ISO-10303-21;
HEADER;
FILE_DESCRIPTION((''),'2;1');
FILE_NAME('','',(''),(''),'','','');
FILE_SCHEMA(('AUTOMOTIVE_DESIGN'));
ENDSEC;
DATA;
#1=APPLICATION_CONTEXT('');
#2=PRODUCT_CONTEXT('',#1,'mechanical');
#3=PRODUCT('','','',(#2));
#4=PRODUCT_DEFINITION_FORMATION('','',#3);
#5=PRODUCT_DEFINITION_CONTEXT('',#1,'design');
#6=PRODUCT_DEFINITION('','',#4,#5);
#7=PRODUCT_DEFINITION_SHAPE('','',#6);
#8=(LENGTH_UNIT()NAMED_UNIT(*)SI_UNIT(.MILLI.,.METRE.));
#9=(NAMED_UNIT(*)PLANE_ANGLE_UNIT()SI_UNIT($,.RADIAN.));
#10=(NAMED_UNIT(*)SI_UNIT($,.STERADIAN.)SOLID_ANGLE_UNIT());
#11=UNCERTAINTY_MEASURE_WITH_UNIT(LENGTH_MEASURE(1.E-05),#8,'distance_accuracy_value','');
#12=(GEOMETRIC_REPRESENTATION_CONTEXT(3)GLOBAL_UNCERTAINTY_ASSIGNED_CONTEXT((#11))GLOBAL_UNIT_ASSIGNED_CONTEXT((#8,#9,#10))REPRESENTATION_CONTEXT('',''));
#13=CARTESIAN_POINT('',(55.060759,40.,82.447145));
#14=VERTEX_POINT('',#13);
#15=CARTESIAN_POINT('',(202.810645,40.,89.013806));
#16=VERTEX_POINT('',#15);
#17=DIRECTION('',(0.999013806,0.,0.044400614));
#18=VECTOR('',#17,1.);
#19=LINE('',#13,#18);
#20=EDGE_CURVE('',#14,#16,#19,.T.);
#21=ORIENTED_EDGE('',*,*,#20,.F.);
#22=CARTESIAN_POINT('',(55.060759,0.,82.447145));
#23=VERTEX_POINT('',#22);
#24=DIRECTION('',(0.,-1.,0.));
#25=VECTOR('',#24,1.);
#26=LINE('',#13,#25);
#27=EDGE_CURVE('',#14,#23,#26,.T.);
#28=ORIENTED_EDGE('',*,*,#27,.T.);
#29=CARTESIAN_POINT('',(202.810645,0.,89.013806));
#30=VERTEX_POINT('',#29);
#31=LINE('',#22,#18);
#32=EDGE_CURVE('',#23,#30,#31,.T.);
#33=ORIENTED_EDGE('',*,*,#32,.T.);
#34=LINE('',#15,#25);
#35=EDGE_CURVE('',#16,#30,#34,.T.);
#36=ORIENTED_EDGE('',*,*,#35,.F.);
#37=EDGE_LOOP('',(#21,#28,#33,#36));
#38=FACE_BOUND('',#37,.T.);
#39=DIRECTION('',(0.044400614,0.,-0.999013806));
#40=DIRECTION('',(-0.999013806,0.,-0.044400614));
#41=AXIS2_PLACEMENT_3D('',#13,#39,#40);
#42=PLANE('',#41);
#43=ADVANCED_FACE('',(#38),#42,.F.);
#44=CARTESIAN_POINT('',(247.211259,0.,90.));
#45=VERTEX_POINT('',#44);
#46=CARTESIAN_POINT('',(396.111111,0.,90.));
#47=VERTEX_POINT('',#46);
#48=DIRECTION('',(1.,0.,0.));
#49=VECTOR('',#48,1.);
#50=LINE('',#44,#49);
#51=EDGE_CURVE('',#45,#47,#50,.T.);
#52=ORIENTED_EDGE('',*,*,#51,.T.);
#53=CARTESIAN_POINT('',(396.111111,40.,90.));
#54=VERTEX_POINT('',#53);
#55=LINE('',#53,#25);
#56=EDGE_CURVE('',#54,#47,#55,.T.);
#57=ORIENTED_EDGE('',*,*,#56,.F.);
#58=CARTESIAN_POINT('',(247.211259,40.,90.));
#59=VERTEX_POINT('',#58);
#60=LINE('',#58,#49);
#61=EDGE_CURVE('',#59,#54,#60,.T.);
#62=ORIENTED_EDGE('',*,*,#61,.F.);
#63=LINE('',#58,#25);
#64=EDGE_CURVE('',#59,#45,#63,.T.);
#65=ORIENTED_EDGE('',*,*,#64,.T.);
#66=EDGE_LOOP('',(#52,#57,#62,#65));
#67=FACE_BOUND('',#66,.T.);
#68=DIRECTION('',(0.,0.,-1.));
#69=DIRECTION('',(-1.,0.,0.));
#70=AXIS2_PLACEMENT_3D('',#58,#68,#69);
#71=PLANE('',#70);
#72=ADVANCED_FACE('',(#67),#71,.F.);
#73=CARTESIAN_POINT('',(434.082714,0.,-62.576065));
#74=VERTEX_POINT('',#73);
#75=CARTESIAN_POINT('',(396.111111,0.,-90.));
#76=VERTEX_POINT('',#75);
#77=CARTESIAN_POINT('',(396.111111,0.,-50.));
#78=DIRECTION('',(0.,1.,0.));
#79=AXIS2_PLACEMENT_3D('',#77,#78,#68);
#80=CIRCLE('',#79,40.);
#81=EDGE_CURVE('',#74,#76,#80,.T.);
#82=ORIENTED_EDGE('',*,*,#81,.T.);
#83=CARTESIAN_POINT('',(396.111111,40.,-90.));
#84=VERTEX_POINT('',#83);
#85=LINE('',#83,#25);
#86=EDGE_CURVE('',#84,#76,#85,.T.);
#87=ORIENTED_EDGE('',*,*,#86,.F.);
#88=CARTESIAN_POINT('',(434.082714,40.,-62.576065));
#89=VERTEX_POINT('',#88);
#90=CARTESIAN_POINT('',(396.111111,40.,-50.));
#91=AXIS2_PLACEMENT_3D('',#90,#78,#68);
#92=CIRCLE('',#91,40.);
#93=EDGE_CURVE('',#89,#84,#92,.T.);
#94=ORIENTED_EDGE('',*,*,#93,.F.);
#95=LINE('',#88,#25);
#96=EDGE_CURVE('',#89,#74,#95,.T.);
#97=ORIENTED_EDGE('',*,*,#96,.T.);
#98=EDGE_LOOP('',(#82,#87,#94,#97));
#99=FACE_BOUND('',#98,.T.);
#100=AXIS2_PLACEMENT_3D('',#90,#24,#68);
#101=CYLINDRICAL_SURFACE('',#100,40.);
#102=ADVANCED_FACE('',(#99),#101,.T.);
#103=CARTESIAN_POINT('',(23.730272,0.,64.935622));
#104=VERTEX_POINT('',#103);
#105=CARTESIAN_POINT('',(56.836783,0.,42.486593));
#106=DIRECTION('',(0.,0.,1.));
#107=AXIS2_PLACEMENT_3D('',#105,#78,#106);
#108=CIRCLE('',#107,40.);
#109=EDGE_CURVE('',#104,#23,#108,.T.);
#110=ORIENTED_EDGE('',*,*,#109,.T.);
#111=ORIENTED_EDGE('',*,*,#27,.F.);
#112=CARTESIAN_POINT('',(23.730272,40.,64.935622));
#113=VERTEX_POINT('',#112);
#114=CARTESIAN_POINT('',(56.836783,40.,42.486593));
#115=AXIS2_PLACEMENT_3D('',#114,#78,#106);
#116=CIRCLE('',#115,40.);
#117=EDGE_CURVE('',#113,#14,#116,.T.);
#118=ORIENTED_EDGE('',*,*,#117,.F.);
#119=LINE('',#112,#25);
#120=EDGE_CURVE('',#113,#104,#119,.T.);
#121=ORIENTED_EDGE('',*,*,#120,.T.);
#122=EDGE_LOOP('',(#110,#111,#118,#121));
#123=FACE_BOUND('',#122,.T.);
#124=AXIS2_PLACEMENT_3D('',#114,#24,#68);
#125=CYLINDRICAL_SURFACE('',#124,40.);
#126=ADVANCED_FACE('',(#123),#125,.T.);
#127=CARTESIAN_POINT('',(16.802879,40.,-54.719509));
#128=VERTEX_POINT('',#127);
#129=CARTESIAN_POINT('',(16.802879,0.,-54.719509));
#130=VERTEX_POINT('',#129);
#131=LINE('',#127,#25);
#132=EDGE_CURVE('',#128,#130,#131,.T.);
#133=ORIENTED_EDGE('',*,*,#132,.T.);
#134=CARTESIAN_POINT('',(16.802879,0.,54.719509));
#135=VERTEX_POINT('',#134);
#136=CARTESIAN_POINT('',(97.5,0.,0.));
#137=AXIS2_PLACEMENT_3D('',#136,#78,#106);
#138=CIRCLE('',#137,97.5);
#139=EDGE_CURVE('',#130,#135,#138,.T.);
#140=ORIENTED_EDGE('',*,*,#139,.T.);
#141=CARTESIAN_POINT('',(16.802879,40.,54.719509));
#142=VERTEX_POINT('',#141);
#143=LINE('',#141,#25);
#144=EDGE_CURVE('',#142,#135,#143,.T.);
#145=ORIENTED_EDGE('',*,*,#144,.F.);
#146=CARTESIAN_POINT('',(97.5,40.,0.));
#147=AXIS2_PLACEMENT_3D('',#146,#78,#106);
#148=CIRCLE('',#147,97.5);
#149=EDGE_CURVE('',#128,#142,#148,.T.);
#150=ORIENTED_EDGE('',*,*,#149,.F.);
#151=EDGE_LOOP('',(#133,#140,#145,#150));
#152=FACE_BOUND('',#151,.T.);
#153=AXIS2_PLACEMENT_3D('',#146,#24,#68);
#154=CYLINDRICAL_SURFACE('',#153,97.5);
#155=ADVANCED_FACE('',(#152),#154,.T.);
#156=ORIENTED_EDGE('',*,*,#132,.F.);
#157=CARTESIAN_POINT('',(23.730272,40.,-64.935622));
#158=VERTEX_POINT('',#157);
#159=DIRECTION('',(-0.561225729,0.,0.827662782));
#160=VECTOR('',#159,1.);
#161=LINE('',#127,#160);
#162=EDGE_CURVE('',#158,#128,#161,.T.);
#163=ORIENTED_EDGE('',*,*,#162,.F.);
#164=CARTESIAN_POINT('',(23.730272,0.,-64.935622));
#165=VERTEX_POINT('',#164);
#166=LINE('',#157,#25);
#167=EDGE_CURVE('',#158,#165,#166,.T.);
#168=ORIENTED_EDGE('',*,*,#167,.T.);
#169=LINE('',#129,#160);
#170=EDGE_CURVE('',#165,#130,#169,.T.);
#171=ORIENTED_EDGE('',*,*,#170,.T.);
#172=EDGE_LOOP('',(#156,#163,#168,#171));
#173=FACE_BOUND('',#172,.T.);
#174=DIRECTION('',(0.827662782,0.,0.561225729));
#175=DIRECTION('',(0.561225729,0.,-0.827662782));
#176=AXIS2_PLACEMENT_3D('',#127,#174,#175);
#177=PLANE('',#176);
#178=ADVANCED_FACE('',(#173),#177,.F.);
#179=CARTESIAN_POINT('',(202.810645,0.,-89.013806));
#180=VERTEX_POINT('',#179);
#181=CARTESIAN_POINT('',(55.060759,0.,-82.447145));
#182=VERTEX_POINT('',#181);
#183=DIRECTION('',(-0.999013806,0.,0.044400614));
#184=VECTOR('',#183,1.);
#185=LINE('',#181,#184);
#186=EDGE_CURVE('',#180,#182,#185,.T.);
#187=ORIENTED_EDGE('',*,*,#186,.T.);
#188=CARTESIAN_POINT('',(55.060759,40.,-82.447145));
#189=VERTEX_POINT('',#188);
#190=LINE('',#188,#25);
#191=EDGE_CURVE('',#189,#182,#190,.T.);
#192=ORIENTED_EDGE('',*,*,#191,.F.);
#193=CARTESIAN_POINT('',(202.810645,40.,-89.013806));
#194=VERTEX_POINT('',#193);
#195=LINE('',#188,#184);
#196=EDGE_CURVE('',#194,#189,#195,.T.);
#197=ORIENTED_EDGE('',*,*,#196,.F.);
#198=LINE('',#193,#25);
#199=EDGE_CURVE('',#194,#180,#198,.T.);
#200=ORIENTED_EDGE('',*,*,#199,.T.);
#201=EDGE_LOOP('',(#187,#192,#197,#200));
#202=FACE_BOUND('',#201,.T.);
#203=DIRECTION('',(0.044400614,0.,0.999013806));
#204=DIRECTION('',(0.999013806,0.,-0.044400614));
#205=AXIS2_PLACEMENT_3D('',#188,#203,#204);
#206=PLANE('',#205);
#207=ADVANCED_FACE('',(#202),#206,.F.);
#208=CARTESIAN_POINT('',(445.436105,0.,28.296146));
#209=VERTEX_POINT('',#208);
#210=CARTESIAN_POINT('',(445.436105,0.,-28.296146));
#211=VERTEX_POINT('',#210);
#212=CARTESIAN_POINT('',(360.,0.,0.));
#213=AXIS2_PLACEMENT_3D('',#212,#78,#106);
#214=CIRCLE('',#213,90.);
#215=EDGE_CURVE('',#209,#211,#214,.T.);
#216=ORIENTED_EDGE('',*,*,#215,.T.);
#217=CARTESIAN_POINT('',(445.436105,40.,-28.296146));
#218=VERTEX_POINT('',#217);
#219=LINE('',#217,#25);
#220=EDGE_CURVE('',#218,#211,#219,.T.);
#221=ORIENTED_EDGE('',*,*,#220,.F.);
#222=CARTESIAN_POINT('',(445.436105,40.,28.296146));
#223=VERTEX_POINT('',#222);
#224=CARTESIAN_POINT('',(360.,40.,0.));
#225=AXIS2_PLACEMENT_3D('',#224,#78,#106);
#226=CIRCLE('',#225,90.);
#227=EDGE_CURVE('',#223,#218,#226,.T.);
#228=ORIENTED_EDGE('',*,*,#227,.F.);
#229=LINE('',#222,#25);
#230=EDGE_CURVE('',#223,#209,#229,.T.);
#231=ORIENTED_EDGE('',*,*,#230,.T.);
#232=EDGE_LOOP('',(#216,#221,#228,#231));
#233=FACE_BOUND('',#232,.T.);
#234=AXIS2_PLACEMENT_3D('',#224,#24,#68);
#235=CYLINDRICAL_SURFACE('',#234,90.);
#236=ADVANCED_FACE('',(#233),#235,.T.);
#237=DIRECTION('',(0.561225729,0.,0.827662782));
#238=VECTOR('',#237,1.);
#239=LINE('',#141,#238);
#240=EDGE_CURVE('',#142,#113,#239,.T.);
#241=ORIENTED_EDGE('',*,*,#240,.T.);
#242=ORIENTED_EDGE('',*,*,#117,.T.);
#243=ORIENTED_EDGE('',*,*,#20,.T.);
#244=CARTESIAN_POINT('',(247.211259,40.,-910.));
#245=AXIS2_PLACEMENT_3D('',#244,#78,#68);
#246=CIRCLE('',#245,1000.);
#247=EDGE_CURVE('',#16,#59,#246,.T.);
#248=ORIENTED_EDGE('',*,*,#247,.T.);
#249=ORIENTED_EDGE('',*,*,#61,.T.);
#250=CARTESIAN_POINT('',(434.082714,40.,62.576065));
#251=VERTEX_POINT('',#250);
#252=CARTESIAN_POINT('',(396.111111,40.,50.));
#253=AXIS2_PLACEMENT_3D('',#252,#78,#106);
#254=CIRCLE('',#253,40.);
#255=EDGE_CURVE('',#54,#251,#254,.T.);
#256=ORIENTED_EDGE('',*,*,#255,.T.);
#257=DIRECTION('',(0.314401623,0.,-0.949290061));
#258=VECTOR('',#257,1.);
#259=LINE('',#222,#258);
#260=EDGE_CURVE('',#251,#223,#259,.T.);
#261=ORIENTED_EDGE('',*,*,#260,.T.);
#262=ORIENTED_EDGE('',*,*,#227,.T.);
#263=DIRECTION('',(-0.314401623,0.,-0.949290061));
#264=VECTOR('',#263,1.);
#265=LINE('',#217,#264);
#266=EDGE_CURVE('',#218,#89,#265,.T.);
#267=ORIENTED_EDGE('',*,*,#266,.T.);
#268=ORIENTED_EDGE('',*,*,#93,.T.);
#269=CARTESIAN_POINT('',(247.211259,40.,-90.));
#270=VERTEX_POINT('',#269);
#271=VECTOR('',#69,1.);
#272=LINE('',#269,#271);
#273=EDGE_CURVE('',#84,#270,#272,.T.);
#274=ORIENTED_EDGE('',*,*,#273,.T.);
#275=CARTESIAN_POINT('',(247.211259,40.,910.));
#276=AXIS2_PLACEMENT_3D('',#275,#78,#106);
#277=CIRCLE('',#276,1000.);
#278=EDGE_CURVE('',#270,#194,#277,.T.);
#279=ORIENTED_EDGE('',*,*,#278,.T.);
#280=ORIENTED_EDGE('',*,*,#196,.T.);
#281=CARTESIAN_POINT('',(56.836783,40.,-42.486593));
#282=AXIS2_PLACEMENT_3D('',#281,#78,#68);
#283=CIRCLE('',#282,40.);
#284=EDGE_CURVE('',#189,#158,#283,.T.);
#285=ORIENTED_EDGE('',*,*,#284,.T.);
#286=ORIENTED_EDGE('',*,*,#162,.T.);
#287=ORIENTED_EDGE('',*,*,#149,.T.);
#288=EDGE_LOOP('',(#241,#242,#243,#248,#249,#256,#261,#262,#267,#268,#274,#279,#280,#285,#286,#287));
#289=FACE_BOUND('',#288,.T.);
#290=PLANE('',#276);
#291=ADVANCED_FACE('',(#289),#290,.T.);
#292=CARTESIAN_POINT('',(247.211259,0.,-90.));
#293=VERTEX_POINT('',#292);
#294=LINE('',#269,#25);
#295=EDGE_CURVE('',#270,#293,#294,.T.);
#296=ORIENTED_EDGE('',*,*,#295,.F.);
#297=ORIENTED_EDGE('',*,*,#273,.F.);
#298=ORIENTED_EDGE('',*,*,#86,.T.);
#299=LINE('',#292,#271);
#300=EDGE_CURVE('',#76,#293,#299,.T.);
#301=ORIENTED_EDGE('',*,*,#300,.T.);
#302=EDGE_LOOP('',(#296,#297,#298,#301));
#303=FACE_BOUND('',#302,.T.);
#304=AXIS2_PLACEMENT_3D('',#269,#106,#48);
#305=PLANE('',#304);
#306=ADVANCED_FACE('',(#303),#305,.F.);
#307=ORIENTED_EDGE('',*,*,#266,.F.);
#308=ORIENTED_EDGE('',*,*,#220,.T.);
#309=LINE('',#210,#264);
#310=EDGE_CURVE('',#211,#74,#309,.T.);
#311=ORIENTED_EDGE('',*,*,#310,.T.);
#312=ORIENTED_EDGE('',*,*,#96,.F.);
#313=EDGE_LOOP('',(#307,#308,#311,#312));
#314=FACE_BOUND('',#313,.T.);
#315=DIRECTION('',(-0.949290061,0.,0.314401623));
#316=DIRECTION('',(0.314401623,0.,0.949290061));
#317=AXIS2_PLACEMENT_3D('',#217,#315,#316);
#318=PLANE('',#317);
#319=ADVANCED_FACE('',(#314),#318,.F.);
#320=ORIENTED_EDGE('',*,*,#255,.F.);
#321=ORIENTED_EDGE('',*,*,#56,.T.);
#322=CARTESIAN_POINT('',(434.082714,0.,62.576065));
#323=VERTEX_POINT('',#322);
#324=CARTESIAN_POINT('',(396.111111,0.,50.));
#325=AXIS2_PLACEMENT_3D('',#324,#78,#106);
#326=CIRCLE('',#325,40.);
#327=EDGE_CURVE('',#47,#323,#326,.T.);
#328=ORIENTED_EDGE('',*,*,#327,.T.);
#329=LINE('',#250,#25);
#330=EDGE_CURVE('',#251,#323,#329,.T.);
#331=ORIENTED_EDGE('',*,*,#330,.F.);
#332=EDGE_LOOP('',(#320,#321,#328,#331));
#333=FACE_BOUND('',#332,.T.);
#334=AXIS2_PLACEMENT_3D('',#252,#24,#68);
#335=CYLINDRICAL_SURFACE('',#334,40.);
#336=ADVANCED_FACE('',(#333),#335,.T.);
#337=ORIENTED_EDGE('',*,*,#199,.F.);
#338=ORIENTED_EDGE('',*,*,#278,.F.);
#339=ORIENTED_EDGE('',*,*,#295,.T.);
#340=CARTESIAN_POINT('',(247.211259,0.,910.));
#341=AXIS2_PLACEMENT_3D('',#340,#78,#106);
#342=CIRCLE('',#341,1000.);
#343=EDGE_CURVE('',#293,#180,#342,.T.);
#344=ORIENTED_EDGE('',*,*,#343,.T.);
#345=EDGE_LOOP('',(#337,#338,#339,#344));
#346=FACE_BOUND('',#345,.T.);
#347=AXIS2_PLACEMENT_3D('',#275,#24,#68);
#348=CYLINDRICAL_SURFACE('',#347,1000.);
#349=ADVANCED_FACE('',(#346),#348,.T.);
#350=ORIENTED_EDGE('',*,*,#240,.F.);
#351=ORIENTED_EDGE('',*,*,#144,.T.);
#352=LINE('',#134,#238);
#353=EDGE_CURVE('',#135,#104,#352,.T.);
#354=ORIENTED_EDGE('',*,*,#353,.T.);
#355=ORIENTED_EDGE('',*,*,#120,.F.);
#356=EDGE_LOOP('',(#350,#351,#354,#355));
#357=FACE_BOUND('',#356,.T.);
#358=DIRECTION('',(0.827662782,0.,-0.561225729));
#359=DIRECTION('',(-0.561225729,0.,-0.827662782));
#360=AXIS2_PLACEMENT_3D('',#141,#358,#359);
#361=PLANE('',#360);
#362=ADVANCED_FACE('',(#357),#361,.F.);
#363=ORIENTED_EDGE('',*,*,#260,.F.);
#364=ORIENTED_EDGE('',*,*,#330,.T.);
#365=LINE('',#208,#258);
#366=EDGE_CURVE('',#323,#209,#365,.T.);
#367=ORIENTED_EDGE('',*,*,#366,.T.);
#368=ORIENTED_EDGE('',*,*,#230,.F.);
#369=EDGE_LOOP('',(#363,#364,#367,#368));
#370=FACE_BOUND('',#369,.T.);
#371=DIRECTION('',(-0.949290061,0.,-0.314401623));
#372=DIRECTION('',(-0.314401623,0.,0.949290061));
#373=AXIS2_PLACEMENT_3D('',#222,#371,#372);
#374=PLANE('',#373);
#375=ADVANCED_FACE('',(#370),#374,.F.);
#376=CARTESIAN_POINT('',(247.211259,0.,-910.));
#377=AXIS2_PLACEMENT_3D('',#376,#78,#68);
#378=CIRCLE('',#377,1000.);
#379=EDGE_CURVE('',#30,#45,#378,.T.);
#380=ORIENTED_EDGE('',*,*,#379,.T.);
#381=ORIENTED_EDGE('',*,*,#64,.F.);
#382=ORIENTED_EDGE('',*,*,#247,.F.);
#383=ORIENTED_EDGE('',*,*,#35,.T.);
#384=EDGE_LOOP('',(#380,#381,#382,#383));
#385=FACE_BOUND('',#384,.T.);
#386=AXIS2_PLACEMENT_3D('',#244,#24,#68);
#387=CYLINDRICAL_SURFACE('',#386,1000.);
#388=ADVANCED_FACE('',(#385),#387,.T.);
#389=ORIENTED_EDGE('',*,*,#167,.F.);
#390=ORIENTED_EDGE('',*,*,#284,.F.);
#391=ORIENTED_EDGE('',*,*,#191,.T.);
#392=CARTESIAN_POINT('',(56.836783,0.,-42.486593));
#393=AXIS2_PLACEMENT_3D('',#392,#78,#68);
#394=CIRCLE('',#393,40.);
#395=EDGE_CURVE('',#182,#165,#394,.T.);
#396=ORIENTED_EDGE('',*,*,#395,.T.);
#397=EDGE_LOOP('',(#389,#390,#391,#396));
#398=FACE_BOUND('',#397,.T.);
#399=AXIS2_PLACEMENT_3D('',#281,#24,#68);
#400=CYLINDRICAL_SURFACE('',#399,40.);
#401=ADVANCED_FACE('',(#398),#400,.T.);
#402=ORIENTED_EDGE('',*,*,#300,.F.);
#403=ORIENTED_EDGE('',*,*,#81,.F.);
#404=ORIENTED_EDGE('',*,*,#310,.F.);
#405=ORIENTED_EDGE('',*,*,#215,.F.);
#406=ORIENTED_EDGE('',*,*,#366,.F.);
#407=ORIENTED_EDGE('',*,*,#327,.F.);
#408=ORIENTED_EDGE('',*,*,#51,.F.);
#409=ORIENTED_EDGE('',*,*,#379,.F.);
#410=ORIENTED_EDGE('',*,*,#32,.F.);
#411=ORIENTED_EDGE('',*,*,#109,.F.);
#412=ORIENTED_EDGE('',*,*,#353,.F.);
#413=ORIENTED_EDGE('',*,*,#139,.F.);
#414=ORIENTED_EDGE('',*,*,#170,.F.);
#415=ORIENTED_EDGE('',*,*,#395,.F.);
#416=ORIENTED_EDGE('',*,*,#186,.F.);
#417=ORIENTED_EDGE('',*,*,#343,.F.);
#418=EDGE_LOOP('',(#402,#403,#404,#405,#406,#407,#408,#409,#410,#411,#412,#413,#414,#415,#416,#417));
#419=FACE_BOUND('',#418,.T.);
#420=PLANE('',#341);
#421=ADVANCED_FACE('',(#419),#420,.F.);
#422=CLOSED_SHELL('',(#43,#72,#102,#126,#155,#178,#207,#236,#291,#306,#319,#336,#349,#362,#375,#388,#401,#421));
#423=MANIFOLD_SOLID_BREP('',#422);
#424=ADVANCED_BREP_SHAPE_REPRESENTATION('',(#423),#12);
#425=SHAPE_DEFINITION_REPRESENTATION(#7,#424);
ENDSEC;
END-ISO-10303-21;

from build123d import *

# Parameters (mm, degrees)
EXTRUDE_1_DEPTH = 40


with BuildPart() as part:
    # Эскиз1 → Бобышка-Вытянуть1 (new body)
    with BuildSketch(Plane(origin=(0, 0, 0), x_dir=(1, 0, 0), z_dir=(0, 1, 0))):
        with BuildLine():
            Line((16.802878713, 54.719508551), (23.730271947, 64.935621721))
            ThreePointArc((23.730271947, 64.935621721), (37.321118073, 77.402760932), (55.060758699, 82.447144831))
            Line((55.060758699, 82.447144831), (202.81064549, 89.013806466))
            ThreePointArc((202.81064549, 89.013806466), (225.005476825, 89.753421216), (247.21125911, 90))
            Line((247.21125911, 90), (396.111111111, 90))
            ThreePointArc((396.111111111, 90), (419.530733265, 82.427169136), (434.082713545, 62.576064909))
            Line((434.082713545, 62.576064909), (445.436105477, 28.296146045))
            ThreePointArc((445.436105477, 28.296146045), (450, 0), (445.436105477, -28.296146045))
            Line((445.436105477, -28.296146045), (434.082713545, -62.576064909))
            ThreePointArc((434.082713545, -62.576064909), (419.530733265, -82.427169136), (396.111111111, -90))
            Line((396.111111111, -90), (247.21125911, -90))
            ThreePointArc((247.21125911, -90), (225.005476825, -89.753421216), (202.81064549, -89.013806466))
            Line((202.81064549, -89.013806466), (55.060758699, -82.447144831))
            ThreePointArc((55.060758699, -82.447144831), (37.321118073, -77.402760932), (23.730271947, -64.935621721))
            Line((23.730271947, -64.935621721), (16.802878713, -54.719508551))
            ThreePointArc((16.802878713, -54.719508551), (0, 0), (16.802878713, 54.719508551))
        make_face()
    extrude(amount=EXTRUDE_1_DEPTH)


solid = part.part
